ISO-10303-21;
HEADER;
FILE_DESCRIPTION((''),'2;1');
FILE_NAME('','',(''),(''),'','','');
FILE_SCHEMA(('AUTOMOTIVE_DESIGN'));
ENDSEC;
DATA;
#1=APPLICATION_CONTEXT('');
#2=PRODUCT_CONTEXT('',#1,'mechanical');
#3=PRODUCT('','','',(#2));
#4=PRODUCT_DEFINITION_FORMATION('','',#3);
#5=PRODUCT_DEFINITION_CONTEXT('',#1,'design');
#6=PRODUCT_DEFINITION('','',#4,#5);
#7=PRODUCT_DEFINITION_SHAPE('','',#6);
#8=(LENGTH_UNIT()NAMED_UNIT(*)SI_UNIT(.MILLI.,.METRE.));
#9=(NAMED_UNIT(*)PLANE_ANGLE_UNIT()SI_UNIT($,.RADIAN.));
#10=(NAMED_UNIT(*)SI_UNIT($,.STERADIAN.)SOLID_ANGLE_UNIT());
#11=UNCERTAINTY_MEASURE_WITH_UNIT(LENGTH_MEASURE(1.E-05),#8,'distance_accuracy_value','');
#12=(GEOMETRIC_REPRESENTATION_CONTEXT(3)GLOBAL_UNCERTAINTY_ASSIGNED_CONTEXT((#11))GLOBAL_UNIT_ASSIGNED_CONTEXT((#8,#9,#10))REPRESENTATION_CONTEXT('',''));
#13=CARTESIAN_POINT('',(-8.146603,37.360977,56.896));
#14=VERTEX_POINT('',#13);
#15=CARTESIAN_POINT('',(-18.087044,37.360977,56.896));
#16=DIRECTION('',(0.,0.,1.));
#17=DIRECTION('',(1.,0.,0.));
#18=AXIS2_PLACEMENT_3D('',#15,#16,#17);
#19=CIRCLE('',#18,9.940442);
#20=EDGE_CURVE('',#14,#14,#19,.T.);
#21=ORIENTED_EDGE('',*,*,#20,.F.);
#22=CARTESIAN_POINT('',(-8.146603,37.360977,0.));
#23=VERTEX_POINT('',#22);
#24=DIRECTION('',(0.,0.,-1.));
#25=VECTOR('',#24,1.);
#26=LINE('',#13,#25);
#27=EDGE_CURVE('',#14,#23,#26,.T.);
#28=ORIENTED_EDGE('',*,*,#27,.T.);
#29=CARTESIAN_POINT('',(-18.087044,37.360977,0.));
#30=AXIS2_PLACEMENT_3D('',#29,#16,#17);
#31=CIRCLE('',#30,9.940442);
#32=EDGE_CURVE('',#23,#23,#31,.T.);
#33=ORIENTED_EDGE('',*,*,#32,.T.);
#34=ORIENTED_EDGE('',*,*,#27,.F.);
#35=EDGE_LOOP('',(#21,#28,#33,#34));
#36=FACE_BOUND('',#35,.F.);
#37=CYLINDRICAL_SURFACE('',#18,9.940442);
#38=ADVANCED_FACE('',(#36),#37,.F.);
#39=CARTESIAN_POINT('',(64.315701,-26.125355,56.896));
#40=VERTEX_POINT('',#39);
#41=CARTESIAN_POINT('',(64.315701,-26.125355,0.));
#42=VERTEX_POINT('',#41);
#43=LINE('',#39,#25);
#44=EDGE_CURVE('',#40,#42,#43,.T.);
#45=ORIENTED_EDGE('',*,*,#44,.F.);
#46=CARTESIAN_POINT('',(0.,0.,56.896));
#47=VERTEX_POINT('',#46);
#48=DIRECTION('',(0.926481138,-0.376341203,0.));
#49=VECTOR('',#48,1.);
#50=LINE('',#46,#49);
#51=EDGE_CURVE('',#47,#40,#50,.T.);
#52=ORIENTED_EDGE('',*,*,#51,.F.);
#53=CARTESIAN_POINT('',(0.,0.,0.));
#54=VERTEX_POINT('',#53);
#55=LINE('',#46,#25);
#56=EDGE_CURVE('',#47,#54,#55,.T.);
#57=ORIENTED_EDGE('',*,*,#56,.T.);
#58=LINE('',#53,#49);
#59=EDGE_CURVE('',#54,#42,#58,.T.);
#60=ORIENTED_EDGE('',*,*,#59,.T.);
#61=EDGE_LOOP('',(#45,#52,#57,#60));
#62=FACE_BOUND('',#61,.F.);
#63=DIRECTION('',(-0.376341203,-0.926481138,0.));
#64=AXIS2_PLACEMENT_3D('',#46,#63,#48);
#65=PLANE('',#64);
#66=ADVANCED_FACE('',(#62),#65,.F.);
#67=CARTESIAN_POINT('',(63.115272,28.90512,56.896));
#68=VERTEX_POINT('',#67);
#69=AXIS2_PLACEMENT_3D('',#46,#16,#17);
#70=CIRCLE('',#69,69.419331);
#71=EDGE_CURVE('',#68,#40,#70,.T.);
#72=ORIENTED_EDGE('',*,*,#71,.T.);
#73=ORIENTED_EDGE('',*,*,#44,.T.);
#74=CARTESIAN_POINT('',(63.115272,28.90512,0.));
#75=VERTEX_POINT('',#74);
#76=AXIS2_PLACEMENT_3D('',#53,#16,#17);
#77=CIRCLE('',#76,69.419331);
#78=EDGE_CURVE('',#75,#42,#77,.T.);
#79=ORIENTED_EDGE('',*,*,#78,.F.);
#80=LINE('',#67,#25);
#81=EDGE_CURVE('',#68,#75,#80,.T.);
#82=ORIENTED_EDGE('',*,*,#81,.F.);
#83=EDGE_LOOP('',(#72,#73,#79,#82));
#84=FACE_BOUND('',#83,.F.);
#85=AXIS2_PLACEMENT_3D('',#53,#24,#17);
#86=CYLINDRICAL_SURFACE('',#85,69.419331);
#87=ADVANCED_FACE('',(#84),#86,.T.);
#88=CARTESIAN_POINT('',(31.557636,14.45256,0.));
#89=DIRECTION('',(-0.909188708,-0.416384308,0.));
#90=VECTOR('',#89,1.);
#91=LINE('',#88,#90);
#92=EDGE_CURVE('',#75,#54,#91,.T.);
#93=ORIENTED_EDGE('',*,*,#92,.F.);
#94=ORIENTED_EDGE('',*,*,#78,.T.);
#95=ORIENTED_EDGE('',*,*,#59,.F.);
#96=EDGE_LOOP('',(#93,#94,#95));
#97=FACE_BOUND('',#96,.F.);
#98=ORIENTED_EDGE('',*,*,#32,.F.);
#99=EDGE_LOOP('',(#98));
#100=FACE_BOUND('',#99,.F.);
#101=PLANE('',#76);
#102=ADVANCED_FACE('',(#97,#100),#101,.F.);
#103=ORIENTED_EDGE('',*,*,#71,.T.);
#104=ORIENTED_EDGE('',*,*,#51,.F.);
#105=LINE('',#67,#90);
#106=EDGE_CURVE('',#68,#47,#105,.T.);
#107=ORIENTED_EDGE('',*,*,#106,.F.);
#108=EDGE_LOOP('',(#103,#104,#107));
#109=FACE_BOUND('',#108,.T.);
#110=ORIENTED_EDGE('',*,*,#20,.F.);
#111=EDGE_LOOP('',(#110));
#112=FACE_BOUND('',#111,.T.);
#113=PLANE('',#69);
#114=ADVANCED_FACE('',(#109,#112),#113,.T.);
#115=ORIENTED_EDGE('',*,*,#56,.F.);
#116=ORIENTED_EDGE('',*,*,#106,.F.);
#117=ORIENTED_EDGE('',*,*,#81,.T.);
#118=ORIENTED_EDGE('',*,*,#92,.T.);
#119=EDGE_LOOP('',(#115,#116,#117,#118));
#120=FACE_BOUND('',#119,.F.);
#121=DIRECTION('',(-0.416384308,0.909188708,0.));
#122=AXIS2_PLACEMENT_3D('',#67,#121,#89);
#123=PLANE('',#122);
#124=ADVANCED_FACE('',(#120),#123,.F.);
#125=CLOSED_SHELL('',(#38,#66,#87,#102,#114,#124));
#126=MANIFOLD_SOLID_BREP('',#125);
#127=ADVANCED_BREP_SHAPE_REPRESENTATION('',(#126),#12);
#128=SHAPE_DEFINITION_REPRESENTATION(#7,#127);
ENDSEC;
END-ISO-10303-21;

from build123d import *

# Parameters (mm, degrees)
F0_R     = 69.4193310411
F1_DEPTH = 56.896
F2_R     = 9.940441655
F3_DEPTH = 56.897


with BuildPart() as f1:
    # F0 (on Top) → F1 (new body)
    with BuildSketch(Plane.XY):
        Circle(F0_R)
    extrude(amount=F1_DEPTH)

    # F2 (on face) → F3 (cut, through all)
    with BuildSketch(Plane.XY.offset(56.896)):
        with BuildLine():
            Line((63.1152719338, 28.9051201506), (0, 0))
            Line((0, 0), (64.3157008178, -26.1253545529))
            ThreePointArc((64.3157008178, -26.1253545529), (68.1314774844, -13.3095942084), (69.4193310411, 0))
            ThreePointArc((69.4193310411, 0), (67.8250082135, 14.7922879582), (63.1152719338, 28.9051201506))
        make_face()
        with Locations((-18.0870443583, 37.3609773815)):
            Circle(F2_R)
    extrude(amount=-F3_DEPTH, mode=Mode.SUBTRACT)


solid = f1.part
